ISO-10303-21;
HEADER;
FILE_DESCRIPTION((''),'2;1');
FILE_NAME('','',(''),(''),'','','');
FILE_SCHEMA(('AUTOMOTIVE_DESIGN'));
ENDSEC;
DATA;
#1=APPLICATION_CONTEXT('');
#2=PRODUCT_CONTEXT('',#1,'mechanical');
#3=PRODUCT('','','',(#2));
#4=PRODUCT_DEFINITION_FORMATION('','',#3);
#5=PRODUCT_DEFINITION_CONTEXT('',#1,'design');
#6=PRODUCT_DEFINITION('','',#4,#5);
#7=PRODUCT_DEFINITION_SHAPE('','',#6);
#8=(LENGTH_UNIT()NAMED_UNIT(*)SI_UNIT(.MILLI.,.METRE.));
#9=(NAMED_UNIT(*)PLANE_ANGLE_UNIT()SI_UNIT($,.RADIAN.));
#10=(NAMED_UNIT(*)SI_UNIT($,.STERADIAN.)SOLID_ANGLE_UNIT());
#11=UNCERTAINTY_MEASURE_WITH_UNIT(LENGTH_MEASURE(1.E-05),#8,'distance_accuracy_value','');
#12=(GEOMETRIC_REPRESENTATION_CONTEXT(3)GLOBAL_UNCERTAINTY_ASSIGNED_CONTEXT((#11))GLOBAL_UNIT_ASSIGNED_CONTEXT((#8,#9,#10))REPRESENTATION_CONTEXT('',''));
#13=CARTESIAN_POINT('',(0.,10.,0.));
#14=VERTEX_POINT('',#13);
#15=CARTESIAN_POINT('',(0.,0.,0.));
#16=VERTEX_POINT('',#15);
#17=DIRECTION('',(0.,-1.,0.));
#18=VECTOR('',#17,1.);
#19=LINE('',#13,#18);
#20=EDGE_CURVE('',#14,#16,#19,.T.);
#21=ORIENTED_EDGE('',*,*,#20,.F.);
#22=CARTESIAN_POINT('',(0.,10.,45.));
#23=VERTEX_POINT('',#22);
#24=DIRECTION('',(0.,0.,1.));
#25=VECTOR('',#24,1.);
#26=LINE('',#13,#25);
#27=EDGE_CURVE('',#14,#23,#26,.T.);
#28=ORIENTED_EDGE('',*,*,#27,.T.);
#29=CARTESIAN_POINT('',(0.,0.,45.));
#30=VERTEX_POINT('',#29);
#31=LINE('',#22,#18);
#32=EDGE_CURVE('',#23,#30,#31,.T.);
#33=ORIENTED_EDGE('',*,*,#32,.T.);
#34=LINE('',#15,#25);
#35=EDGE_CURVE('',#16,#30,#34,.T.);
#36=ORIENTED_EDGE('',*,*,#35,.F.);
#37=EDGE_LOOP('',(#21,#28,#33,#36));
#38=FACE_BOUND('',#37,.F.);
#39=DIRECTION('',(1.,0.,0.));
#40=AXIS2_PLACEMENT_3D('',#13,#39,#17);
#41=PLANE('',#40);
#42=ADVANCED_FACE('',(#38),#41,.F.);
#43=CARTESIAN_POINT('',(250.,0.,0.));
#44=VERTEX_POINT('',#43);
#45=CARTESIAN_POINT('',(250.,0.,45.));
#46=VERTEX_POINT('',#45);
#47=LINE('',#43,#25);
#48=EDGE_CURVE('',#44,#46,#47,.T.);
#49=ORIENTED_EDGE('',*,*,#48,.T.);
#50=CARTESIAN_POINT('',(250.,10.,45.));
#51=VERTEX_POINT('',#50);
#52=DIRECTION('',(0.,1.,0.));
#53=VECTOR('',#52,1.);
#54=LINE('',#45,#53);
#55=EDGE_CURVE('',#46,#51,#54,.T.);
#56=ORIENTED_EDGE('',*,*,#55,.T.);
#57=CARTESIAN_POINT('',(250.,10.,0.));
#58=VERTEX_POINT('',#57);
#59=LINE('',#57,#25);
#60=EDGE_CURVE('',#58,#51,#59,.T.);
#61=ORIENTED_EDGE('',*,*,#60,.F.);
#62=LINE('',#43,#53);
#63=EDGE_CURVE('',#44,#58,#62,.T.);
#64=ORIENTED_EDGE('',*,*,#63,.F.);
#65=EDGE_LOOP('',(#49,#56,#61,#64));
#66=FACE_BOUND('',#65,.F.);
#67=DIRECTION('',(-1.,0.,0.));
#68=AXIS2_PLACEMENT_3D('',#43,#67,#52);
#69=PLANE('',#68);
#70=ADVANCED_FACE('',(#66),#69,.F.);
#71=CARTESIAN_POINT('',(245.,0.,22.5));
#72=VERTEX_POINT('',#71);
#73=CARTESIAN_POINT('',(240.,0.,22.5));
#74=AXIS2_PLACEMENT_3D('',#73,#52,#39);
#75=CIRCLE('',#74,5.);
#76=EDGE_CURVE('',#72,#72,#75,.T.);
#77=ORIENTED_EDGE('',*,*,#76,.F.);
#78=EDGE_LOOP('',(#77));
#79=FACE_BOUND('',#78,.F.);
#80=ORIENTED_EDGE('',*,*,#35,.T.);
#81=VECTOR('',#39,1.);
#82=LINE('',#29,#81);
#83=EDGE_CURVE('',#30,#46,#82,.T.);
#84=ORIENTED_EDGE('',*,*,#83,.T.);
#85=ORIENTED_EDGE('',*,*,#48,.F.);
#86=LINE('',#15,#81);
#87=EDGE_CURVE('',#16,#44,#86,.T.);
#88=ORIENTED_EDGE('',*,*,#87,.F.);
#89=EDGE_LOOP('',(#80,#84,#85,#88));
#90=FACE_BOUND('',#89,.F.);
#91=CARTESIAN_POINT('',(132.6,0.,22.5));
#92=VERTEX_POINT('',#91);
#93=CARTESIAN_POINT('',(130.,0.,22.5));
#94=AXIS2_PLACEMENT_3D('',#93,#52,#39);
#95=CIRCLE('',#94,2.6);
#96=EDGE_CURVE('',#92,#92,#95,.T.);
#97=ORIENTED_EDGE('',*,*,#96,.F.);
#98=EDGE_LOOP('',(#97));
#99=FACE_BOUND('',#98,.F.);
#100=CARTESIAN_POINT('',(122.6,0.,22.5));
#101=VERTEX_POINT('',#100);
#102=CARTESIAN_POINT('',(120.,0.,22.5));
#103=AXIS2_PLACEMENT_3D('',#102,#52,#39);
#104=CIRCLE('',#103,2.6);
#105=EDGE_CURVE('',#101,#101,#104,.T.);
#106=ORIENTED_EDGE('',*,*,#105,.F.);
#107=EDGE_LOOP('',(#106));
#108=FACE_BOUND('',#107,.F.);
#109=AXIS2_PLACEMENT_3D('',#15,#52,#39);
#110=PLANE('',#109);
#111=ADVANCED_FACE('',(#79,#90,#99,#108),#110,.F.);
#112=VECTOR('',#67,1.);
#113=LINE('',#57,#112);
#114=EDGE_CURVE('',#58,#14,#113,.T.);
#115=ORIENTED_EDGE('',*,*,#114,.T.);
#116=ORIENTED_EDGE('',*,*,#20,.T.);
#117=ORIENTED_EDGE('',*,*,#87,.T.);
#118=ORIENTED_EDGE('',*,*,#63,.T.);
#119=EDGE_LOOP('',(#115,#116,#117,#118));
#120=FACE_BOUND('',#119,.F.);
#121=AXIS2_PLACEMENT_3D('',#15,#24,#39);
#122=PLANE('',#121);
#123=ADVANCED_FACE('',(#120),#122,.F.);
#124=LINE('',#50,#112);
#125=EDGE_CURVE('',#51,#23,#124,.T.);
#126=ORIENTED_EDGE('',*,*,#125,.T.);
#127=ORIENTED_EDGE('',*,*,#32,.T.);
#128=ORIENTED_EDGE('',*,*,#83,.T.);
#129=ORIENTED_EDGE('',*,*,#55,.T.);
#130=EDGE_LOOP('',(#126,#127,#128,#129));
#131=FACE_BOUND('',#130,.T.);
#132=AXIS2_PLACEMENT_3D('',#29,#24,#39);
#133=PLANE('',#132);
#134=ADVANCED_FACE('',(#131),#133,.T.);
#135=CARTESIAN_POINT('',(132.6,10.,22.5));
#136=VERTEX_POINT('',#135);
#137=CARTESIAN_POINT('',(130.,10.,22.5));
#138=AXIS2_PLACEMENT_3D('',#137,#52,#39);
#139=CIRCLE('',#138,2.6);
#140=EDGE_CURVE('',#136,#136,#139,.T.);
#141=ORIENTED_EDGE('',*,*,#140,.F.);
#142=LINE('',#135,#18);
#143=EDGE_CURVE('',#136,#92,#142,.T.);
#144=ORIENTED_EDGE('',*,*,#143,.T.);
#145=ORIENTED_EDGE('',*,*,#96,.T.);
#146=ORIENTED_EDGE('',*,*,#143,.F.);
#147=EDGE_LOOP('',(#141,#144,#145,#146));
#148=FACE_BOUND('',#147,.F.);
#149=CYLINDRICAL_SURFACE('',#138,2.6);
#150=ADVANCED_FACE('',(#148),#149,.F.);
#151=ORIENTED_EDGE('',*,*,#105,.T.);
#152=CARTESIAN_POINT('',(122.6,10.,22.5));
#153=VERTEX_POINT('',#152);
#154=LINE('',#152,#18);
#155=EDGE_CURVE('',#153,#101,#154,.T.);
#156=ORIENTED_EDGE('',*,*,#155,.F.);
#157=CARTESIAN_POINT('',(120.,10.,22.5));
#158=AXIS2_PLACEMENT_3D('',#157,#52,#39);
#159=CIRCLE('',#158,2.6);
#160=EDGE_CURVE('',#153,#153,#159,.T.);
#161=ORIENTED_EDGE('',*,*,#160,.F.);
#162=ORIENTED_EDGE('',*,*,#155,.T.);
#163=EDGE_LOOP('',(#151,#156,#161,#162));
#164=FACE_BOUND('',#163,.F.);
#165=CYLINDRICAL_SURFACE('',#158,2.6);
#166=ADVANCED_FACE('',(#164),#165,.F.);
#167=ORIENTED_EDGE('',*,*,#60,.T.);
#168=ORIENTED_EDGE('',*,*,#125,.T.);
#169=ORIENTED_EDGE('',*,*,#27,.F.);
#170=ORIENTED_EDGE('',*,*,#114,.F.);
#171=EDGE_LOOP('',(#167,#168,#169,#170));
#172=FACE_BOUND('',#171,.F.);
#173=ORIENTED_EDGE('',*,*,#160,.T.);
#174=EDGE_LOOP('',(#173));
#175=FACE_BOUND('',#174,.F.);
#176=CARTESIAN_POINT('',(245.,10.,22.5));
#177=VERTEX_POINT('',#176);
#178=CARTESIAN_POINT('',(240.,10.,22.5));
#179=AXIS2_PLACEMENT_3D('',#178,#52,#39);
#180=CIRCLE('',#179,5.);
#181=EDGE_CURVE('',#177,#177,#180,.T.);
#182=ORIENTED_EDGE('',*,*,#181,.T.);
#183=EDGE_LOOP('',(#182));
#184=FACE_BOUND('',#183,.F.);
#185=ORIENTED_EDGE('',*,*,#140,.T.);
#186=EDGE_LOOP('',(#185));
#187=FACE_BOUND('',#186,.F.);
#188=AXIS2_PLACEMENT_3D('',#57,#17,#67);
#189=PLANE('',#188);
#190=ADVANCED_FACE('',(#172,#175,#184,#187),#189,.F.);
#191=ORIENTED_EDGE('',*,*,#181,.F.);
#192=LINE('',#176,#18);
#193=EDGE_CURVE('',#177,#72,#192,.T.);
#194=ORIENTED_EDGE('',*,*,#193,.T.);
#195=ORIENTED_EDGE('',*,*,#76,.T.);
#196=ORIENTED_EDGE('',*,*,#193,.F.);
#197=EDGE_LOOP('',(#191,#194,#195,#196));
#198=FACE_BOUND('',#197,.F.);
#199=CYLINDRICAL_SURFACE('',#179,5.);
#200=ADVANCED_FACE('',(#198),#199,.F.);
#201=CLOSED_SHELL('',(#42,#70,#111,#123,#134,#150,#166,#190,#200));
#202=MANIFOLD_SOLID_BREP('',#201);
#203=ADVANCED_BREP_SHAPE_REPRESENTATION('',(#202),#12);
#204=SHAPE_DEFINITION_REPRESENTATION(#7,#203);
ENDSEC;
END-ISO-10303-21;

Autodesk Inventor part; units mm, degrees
sketch "스케치1" plane through (0, 0, 0) normal (0, 0, 1) x (1, 0, 0)
  line L0 (0, 0) -> (250, 0)
  line L1 (250, 0) -> (250, 10)
  line L2 (250, 10) -> (0, 10)
  line L3 (0, 10) -> (0, 0)
  dimension "d0" = 250
  dimension "d1" = 10
extrude "돌출1" add sketch "스케치1" along normal blind 45
ref_plane "작업 평면1" through (125, 0, 0) normal (-1, 0, 0) x (0, 0, 1)
ref_plane "작업 평면2" through (65, 40, 45) normal (0, 1, 0) x (1, 0, 0)
ref_plane "작업 평면3" through (125, 0, 0) normal (1, 0, 0) x (0, 0, -1)
sketch "스케치4" plane through (0, 10, 0) normal (0, 1, 0) x (1, 0, 0)
  line L0 (250, 0) -> (0, 0) projected
  line L1 (0, 0) -> (0, -45) projected
  line L2 (250, -45) -> (0, -45) projected
  line L3 (250, 0) -> (250, -45) projected
  circle A0 centre (120, -22.5) radius 2.6
  circle A1 centre (130, -22.5) radius 2.6
  line L4 (250, 0) -> (0, 0) projected
  point P0 (125, 0)
  point P1 (125, 0)
  dimension "d16" = 5.2
  dimension "d17" = 5.2
  dimension "d18" = 10
  dimension "d19" = 5
extrude "돌출4" cut sketch "스케치4" against normal through all contours A0 | A1
ref_plane "작업 평면4" through (0, 0, 22.5) normal (0, 0, -1) x (-1, 0, 0)
sketch "스케치6" plane through (0, 10, 0) normal (0, 1, 0) x (1, 0, 0)
  line L0 (250, 0) -> (250, -45) projected
  circle A0 centre (240, -22.5) radius 5
  point P0 (0, 0)
  point P1 (250, -22.5)
  point P2 (250, -22.5)
  dimension "d32" = 10
  dimension "d33" = 10
extrude "돌출6" cut sketch "스케치6" against normal through all
properties part number "다리-3"
